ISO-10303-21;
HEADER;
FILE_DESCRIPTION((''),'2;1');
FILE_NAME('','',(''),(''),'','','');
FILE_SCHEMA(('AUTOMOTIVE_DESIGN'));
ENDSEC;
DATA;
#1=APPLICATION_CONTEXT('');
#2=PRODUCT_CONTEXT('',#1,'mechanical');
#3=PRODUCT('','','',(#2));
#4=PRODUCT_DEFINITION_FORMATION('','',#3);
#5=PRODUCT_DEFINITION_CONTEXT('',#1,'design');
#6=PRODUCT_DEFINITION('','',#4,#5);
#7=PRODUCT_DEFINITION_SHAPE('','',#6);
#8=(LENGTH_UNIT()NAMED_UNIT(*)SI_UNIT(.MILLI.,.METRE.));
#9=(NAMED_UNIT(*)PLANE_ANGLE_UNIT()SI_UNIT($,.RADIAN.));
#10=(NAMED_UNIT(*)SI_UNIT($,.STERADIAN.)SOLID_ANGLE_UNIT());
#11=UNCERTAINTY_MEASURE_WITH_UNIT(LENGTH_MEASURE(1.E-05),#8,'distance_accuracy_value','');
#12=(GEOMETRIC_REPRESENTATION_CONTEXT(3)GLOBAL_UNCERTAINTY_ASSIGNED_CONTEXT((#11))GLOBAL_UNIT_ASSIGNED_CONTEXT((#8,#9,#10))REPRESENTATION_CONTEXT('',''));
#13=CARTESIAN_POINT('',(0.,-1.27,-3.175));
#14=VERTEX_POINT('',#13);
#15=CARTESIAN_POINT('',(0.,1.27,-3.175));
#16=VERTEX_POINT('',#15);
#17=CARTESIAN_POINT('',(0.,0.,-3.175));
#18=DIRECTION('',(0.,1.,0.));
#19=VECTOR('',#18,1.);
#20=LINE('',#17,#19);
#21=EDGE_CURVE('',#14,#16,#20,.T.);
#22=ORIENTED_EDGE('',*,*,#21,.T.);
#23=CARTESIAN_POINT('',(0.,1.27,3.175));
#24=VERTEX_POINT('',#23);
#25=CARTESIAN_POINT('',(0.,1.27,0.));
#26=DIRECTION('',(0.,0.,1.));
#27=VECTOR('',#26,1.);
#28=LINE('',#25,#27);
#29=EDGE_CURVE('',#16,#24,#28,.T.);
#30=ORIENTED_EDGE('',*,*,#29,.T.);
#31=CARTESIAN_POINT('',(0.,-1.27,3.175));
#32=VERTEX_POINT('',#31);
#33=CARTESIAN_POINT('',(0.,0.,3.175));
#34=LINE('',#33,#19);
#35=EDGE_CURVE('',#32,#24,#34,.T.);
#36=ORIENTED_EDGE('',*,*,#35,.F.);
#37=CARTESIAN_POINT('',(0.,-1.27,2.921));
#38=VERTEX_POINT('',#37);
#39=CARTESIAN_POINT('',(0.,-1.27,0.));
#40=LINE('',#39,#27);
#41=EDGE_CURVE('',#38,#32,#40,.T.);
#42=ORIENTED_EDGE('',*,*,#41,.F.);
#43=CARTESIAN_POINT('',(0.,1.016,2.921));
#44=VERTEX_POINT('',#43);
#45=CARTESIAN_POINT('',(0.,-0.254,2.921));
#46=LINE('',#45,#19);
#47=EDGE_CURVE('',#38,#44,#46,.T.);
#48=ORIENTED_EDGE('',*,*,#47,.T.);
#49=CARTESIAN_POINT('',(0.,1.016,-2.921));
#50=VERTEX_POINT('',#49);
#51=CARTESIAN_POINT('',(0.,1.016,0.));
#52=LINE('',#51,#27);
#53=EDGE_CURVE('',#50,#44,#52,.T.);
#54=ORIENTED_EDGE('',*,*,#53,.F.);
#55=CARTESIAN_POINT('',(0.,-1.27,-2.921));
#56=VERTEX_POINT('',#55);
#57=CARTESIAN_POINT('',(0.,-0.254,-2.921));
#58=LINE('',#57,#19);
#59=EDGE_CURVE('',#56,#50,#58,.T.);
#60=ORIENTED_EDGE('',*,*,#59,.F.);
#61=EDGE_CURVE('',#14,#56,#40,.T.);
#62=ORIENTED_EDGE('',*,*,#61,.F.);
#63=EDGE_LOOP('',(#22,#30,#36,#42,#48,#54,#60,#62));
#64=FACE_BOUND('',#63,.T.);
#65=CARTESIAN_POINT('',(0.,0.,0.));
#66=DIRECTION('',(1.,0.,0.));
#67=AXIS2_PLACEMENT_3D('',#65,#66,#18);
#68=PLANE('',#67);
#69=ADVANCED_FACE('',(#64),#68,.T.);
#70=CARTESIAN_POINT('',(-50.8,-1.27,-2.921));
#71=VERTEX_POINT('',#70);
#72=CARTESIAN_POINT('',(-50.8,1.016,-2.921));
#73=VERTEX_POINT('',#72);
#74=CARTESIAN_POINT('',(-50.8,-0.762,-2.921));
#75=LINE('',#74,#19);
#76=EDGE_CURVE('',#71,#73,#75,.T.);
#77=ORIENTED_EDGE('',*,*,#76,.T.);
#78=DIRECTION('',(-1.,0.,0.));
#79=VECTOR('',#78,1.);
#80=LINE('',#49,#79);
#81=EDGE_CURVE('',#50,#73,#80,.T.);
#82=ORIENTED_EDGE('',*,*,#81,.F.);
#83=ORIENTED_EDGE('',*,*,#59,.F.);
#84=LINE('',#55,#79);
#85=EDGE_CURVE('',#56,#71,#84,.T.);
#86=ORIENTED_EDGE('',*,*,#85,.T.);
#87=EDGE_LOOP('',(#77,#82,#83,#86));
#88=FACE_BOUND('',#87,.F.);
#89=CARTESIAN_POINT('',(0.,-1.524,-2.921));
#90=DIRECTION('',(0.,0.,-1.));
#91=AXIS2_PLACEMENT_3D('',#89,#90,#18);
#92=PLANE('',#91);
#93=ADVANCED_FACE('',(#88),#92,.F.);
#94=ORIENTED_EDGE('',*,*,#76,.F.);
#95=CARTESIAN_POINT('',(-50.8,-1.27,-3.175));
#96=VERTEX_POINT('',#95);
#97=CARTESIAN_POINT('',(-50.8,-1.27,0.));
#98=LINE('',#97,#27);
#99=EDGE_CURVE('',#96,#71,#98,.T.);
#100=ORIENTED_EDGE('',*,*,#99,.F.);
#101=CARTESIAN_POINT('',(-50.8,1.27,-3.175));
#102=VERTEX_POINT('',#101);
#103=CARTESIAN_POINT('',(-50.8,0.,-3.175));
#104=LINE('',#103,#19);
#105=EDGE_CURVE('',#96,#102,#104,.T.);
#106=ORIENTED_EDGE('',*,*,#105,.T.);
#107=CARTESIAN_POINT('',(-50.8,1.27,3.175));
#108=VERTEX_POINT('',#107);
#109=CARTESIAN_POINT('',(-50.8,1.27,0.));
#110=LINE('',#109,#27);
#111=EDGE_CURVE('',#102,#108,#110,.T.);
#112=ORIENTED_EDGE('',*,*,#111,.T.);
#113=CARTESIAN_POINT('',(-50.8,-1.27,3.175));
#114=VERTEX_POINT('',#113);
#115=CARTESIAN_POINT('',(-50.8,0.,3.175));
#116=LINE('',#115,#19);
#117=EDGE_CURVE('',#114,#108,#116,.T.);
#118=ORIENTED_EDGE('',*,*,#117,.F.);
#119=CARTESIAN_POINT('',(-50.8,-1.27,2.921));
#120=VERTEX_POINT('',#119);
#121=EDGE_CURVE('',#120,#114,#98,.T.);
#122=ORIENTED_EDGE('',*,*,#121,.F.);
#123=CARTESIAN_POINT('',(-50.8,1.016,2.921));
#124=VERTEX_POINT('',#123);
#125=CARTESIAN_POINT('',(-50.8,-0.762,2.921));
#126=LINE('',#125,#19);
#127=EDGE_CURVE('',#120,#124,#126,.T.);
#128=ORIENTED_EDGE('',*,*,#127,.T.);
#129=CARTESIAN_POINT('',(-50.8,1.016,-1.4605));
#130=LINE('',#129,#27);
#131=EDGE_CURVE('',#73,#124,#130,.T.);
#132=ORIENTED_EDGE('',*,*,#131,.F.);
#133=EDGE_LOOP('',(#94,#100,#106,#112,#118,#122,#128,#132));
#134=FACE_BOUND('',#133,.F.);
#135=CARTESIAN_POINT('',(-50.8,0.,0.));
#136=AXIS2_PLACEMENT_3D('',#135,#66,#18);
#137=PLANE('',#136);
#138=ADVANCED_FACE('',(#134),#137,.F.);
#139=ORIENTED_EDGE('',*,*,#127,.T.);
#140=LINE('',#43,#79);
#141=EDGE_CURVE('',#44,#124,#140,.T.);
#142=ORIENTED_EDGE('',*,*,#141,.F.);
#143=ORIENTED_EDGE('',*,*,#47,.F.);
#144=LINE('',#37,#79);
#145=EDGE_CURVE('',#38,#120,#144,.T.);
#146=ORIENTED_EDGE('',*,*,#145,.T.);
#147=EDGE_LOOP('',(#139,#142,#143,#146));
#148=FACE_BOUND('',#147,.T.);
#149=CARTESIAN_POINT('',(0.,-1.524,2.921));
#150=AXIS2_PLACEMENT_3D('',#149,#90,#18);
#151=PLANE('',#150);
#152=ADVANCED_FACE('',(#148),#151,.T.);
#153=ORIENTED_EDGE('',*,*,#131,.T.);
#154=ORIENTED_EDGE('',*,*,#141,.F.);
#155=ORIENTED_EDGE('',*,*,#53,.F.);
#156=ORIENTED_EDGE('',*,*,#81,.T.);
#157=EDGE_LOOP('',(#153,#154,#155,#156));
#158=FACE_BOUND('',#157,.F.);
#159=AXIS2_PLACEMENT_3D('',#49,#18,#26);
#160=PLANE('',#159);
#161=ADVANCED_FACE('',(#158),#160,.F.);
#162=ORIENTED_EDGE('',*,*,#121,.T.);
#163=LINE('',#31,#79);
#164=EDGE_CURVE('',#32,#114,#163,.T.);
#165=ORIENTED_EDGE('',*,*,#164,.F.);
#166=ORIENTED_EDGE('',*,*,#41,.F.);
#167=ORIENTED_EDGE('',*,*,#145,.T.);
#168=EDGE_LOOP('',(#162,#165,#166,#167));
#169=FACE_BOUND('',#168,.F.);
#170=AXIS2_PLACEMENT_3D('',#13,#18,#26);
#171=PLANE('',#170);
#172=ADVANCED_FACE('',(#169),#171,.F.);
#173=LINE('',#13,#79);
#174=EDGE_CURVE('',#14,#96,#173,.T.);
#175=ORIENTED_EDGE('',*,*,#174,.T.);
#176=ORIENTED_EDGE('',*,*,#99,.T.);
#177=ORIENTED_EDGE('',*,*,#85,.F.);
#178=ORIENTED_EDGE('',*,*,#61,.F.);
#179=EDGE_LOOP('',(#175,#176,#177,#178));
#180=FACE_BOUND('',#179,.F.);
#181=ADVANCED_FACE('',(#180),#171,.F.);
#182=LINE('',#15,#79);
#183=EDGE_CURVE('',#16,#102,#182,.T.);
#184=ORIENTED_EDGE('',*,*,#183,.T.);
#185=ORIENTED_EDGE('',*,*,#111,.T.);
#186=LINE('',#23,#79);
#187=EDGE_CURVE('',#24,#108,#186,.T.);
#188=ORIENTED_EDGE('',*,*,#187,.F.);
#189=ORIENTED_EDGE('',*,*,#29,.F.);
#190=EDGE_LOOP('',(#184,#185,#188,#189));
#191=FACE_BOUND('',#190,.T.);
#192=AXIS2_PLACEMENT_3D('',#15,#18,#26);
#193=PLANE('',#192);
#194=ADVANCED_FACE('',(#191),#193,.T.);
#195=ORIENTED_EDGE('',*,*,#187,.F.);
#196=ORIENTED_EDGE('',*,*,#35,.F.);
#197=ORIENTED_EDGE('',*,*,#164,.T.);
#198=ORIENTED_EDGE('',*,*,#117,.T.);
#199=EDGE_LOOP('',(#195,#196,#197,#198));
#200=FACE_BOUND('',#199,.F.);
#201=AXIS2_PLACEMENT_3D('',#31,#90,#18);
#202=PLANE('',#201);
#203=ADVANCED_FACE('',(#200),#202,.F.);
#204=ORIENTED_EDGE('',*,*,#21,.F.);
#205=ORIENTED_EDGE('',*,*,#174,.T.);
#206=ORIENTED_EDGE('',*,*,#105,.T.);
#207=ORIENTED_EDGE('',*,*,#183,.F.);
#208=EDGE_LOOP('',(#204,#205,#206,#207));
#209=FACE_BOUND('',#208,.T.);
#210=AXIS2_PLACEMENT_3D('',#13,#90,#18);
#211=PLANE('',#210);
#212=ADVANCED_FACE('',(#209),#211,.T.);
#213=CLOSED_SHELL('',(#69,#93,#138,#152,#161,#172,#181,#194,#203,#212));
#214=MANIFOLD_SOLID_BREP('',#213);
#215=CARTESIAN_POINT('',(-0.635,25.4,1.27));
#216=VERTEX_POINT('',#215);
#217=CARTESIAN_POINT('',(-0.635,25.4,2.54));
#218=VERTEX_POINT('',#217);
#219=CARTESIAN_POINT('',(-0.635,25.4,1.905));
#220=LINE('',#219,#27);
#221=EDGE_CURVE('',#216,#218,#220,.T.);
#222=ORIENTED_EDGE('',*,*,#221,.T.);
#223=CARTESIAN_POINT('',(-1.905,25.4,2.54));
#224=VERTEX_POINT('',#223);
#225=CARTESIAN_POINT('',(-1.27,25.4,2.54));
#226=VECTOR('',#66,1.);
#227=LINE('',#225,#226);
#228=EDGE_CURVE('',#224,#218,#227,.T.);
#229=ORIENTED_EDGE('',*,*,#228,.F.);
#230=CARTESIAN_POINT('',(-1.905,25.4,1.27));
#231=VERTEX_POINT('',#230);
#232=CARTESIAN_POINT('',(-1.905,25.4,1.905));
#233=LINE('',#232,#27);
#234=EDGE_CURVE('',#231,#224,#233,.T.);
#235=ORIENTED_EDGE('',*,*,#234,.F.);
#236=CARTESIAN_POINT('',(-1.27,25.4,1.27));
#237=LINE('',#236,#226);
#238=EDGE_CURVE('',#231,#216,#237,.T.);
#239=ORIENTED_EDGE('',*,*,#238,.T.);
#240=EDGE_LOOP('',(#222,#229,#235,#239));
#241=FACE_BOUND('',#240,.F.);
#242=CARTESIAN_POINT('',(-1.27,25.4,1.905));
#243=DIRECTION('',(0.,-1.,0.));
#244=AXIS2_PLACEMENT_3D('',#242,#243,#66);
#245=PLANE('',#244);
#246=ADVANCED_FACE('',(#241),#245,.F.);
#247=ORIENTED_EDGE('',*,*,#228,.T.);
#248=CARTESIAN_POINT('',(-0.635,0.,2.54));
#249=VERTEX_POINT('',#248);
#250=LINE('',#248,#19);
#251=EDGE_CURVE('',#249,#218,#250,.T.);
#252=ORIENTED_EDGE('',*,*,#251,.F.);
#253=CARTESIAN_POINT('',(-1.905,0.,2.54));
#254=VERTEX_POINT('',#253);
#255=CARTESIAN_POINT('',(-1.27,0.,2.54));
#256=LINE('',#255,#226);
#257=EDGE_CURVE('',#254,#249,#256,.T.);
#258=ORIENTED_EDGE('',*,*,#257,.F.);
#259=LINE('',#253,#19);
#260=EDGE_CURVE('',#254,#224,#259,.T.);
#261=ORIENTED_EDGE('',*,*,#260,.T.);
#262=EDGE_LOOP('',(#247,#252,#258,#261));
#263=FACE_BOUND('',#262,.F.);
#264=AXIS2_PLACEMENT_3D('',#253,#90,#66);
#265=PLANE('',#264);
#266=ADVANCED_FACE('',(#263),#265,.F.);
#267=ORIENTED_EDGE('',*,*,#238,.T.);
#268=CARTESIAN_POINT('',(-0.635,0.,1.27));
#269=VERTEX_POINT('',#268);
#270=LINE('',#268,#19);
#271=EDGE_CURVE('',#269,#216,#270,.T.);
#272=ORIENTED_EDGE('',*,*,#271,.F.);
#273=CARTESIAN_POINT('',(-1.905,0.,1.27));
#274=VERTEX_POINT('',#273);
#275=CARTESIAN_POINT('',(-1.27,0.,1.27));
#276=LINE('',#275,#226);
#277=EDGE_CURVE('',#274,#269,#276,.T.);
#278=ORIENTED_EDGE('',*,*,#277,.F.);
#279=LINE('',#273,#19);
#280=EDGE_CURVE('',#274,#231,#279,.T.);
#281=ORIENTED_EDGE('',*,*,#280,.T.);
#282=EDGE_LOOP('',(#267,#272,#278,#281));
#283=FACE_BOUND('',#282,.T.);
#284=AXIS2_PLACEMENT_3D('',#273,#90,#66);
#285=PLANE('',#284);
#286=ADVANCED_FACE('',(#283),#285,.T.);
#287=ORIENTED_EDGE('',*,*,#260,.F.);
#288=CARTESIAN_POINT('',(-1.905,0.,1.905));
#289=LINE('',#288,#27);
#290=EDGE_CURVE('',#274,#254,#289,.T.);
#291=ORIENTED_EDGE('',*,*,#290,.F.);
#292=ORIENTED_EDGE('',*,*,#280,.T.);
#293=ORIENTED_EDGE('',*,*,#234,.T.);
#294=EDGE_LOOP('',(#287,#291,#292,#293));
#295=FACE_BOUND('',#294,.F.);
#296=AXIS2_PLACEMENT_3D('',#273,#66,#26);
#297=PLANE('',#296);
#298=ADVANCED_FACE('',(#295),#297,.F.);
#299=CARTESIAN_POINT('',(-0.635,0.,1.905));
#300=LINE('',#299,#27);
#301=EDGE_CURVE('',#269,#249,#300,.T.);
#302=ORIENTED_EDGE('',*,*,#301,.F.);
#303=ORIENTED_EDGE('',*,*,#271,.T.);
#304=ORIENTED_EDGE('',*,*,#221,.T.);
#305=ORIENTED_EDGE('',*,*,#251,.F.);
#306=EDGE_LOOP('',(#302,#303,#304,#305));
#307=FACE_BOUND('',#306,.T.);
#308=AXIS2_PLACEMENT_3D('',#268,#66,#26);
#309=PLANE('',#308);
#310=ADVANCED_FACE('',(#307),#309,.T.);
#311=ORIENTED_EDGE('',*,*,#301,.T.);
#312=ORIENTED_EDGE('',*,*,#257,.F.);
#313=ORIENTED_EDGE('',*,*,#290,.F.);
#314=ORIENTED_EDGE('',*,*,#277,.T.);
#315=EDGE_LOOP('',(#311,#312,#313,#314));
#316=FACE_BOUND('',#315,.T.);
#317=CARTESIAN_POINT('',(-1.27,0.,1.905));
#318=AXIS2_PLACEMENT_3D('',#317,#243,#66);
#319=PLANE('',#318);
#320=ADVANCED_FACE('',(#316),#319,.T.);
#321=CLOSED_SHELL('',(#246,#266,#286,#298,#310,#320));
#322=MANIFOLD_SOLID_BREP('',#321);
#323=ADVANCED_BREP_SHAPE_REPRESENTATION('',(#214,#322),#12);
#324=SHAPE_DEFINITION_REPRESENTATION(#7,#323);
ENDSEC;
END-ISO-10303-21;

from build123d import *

# Parameters (mm, degrees)
F0_W     = 2.54
F0_H     = 6.35
F1_DEPTH = 50.8
F2_W     = 2.54
F2_H     = 5.842
F3_DEPTH = 76.2
F4_W     = 1.27
F4_H     = 1.27
F5_DEPTH = 25.4


with BuildPart() as f1:
    # F0 (on Right) → F1 (new body)
    with BuildSketch(Plane.YZ):
        Rectangle(F0_W, F0_H)
    extrude(amount=-F1_DEPTH)

    # F2 (on Right) → F3 (cut)
    with BuildSketch(Plane.YZ):
        with Locations((-0.254, 0)):
            Rectangle(F2_W, F2_H)
    extrude(amount=-F3_DEPTH, mode=Mode.SUBTRACT)


with BuildPart() as f5:
    # F4 (on Front) → F5 (new body)
    with BuildSketch(Plane.XZ):
        with Locations((-1.27, 1.905)):
            Rectangle(F4_W, F4_H)
    extrude(amount=-F5_DEPTH)


solid = Compound([f1.part, f5.part])
